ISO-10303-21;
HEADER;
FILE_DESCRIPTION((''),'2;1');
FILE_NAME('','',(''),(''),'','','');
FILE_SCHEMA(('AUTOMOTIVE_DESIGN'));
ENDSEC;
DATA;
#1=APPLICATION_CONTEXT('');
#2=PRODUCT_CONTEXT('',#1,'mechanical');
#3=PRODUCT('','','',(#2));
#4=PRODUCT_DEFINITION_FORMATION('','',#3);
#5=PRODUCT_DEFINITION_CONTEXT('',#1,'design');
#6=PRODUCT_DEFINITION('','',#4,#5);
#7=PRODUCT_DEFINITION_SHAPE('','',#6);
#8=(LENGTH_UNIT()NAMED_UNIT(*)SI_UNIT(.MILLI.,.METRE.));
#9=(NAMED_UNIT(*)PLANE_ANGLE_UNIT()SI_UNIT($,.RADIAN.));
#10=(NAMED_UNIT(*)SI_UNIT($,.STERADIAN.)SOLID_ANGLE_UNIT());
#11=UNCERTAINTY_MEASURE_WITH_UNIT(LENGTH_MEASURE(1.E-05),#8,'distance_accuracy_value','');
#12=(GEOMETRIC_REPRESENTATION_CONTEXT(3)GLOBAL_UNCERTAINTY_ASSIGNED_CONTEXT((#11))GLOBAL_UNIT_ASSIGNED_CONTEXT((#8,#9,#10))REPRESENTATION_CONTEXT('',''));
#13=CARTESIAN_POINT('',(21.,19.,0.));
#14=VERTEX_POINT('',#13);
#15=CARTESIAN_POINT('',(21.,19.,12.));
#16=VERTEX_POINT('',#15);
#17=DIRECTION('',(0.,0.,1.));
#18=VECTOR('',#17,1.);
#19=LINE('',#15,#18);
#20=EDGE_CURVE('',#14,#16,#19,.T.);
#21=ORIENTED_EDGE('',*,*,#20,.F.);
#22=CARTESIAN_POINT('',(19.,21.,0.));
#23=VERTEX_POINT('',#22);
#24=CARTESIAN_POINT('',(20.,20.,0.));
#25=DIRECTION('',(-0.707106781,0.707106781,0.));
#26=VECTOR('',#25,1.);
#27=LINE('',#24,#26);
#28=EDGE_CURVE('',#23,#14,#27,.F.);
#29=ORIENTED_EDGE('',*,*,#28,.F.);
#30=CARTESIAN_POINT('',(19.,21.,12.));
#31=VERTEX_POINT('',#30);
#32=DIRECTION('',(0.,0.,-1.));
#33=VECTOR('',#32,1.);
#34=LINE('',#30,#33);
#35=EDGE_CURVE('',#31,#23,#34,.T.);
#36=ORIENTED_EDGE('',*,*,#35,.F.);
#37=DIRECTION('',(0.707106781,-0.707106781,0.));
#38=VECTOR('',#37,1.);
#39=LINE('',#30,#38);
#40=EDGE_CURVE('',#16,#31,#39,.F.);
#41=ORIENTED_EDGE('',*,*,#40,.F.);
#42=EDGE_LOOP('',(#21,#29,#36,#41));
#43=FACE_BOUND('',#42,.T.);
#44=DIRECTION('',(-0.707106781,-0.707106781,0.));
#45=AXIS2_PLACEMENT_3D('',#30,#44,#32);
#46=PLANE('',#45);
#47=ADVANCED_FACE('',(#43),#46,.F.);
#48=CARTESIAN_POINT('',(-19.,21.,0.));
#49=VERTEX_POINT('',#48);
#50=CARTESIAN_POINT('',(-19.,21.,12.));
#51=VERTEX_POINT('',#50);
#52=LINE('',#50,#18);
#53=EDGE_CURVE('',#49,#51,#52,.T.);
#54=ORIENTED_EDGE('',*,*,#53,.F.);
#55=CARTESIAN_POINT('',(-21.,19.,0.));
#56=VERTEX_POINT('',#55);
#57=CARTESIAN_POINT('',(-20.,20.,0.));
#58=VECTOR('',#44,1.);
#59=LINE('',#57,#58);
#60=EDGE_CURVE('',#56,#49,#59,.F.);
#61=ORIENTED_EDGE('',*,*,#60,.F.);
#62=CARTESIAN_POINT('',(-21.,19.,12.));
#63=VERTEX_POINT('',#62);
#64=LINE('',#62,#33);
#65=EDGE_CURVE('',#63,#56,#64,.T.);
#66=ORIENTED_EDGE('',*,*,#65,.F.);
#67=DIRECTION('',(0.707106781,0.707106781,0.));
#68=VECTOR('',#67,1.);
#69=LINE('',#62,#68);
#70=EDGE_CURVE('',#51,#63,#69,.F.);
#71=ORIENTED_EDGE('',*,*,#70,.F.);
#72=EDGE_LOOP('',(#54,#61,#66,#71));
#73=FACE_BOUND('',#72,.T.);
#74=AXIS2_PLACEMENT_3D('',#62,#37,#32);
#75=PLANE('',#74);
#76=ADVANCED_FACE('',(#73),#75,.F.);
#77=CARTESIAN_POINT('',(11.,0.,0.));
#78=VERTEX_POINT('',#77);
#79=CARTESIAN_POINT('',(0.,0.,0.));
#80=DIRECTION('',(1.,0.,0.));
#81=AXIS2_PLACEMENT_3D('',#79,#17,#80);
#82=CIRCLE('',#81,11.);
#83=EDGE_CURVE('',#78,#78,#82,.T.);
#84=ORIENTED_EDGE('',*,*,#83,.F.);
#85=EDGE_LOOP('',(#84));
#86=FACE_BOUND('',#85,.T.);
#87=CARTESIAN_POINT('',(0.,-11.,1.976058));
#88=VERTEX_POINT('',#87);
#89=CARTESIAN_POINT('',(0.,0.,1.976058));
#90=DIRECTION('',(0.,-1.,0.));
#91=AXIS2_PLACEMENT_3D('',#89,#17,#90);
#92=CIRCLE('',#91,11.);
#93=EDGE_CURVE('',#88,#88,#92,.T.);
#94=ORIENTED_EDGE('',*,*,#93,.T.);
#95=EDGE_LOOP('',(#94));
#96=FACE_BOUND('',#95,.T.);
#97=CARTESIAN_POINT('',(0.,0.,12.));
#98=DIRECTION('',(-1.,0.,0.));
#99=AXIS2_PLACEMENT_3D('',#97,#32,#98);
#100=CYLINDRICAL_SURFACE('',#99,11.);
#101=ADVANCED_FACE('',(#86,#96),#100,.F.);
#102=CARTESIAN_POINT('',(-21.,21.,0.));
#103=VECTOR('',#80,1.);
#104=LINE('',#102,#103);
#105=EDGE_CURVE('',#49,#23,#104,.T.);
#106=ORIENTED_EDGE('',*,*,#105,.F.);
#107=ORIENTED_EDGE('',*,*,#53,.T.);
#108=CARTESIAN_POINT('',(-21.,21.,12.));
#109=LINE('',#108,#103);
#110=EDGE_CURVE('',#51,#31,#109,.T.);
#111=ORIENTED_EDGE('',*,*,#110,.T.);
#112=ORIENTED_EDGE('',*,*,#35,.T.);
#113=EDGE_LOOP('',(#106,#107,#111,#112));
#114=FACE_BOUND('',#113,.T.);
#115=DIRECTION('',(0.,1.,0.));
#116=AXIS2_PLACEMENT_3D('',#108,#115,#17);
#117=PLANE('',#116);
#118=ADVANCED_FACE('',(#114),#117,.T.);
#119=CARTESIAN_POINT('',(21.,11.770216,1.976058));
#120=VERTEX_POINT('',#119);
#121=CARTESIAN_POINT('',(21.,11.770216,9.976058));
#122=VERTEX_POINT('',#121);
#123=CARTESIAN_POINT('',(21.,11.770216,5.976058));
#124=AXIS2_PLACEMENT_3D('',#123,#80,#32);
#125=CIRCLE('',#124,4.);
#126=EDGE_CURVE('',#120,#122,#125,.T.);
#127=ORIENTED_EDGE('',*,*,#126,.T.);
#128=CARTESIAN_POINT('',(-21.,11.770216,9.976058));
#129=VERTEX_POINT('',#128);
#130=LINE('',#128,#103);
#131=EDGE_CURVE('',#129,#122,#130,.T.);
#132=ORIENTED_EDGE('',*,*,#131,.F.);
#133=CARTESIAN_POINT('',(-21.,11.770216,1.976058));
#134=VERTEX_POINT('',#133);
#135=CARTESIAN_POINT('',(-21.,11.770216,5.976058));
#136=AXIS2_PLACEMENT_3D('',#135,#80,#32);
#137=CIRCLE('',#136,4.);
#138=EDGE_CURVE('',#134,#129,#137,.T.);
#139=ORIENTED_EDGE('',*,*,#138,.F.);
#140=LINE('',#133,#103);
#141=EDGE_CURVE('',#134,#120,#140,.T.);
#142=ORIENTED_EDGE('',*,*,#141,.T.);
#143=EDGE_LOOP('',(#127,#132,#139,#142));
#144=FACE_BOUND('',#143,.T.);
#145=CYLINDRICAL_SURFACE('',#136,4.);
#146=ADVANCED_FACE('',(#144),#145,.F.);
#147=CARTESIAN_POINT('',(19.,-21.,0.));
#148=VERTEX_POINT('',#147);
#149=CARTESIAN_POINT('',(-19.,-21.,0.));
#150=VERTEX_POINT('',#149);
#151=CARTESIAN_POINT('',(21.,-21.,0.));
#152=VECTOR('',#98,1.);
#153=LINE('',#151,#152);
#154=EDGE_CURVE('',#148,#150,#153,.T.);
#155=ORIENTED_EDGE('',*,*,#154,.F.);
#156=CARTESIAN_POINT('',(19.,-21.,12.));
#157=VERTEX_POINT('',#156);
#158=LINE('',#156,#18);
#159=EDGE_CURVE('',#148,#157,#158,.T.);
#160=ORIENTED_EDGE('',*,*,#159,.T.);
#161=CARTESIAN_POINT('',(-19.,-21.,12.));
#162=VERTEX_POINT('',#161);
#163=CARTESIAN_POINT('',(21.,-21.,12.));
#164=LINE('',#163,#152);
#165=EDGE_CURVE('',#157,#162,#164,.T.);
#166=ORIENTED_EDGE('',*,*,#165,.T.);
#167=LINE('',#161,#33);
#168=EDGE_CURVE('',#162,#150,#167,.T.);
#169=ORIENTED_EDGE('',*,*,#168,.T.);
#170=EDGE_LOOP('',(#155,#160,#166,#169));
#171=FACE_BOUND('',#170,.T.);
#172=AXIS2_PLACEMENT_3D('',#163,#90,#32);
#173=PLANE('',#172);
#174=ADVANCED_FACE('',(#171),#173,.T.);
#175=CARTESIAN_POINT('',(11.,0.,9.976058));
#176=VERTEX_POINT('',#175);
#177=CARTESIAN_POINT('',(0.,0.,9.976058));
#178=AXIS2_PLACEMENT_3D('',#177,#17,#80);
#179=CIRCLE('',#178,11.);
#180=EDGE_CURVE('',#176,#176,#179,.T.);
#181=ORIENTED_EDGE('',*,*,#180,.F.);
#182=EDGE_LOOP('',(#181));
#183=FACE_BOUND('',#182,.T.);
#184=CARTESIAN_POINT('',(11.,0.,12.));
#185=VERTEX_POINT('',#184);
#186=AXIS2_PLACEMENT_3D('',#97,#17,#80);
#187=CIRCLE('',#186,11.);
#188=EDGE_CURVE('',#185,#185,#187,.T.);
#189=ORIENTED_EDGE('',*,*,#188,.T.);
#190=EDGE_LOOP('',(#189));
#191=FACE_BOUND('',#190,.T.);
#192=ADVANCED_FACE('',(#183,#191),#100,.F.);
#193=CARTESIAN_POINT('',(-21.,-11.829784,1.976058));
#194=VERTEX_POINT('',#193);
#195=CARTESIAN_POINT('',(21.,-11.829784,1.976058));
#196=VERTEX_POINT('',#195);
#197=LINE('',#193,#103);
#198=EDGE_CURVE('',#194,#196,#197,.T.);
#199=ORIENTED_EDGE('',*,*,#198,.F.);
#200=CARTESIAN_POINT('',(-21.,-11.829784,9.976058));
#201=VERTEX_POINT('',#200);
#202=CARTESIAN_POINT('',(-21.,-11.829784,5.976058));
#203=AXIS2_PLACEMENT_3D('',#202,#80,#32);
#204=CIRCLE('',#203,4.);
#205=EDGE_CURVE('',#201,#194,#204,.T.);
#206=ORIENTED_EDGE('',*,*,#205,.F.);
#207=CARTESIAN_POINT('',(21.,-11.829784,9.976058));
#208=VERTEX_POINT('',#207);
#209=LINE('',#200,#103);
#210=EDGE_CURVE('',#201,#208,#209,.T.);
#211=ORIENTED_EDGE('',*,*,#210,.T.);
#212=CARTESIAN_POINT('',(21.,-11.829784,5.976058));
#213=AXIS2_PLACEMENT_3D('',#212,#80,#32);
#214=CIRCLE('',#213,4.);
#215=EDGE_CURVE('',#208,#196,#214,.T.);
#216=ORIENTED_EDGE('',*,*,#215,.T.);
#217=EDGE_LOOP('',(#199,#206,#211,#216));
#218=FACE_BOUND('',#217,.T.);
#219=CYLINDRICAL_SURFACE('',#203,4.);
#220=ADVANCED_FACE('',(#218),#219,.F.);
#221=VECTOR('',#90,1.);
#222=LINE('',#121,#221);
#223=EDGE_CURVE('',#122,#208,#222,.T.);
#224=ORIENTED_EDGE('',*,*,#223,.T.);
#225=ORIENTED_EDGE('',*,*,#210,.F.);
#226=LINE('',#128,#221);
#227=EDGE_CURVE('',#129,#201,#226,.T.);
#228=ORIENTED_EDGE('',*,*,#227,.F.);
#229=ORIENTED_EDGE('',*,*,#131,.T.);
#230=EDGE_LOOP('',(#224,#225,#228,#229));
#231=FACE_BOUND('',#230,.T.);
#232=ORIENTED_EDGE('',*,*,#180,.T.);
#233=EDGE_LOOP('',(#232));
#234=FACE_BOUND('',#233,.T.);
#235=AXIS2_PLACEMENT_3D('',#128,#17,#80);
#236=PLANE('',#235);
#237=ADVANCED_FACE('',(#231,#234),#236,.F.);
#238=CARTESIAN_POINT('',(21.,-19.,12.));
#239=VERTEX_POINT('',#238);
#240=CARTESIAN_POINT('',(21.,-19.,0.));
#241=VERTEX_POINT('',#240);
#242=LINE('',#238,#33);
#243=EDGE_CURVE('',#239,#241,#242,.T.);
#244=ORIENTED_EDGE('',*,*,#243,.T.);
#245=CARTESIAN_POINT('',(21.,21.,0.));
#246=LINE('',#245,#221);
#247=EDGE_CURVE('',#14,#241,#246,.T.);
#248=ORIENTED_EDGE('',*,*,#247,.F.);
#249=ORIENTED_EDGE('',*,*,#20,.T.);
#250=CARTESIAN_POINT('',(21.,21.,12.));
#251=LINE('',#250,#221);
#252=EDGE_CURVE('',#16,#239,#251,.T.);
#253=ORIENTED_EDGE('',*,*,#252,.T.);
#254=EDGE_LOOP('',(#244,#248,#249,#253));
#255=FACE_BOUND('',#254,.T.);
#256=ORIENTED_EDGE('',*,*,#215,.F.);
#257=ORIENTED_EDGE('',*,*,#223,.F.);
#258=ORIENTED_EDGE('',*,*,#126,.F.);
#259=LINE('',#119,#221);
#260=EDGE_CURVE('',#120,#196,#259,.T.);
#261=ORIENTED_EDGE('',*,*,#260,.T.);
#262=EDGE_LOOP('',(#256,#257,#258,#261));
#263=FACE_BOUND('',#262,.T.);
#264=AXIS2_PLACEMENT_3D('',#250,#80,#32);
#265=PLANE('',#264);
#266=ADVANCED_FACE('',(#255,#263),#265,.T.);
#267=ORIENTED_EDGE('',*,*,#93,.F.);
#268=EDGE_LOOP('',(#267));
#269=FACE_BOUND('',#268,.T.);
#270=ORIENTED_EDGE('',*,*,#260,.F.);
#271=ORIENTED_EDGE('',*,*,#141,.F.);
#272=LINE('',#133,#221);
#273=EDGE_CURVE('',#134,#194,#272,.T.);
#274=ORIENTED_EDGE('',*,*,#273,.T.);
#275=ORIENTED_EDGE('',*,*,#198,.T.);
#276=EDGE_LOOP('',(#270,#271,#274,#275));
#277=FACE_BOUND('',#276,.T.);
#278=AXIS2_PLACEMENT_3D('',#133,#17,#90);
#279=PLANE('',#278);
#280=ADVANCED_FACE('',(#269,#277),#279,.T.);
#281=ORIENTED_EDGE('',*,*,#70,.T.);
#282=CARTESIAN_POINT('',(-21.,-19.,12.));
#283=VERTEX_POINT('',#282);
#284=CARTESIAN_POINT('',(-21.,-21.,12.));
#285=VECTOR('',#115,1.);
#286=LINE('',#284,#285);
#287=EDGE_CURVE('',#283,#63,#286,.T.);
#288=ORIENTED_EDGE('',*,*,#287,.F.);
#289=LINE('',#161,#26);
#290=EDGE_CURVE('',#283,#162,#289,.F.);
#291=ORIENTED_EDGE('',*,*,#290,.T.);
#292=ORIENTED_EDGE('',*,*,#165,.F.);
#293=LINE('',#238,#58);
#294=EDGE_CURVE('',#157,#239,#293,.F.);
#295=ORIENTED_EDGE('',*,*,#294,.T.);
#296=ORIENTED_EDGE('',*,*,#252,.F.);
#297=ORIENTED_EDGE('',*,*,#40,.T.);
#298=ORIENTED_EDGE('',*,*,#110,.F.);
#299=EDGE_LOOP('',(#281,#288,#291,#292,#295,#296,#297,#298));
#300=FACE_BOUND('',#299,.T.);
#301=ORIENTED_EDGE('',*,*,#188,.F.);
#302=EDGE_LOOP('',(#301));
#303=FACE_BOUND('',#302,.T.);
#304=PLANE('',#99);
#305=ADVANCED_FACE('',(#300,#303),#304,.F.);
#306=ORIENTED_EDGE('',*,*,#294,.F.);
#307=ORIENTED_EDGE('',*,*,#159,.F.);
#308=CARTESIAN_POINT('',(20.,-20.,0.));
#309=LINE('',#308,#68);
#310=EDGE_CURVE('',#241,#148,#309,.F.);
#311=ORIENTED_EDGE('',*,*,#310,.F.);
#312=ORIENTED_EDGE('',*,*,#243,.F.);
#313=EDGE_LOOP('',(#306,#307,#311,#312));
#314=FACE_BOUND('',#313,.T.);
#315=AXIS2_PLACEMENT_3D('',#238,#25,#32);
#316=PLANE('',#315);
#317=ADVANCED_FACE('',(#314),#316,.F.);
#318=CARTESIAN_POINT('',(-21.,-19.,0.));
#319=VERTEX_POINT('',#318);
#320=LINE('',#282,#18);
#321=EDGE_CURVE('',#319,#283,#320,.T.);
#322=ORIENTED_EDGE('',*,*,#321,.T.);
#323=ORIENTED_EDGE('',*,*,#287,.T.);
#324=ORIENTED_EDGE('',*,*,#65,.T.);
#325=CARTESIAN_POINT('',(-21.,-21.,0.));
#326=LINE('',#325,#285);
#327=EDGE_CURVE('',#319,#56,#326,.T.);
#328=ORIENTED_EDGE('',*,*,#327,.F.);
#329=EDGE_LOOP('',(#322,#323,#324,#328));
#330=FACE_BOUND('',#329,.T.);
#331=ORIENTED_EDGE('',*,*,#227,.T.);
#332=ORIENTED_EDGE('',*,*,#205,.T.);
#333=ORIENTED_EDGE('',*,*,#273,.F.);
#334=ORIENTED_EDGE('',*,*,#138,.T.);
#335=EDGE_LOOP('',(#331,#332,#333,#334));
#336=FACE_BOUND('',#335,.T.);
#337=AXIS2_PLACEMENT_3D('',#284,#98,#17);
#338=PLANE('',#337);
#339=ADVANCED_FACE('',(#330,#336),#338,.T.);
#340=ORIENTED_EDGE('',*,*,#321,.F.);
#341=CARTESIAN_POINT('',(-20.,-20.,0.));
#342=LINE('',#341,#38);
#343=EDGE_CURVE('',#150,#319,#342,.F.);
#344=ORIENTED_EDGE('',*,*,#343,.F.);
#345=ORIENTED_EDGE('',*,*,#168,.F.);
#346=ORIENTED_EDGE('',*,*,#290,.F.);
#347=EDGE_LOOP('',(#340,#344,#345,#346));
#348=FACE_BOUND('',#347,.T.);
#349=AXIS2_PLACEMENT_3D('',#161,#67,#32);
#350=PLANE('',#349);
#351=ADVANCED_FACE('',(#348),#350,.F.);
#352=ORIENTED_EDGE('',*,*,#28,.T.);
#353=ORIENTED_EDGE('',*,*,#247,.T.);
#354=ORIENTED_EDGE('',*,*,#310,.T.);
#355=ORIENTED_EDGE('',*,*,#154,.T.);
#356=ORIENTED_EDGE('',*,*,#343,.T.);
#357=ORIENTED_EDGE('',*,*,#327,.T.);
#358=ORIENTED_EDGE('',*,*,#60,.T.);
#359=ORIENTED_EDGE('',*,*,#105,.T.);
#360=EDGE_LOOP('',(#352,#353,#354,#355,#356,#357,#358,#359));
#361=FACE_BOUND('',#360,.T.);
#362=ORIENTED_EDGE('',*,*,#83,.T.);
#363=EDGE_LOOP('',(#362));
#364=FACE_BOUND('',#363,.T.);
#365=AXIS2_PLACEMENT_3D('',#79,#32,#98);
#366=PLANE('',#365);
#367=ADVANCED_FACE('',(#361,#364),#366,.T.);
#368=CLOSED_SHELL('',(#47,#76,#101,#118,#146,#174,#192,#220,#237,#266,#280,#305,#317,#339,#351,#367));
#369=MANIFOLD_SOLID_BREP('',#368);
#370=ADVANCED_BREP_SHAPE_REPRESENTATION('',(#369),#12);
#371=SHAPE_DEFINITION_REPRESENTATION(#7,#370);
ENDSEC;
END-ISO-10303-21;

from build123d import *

# Parameters (mm, degrees)
SCHIZZO2_W                   = 42
SCHIZZO2_H                   = 42
ESTRUSIONE_ESTRUSIONE1_DEPTH = 12
SCHIZZO3_R                   = 11
TAGLIO_ESTRUSIONE1_DEPTH     = 12
TAGLIO_ESTRUSIONE2_DEPTH     = 42
SMUSSO2_SIZE                 = 2
SMUSSO3_SIZE                 = 2
SMUSSO4_SIZE                 = 2
SMUSSO5_SIZE                 = 2


with BuildPart() as part:
    # Schizzo2 → Estrusione-Estrusione1 (new body)
    with BuildSketch(Plane.XY):
        Rectangle(SCHIZZO2_W, SCHIZZO2_H)
    extrude(amount=ESTRUSIONE_ESTRUSIONE1_DEPTH)

    # Schizzo3 → Taglio-Estrusione1 (cut)
    with BuildSketch(Plane.XY):
        Circle(SCHIZZO3_R)
    extrude(amount=TAGLIO_ESTRUSIONE1_DEPTH, mode=Mode.SUBTRACT)

    # Schizzo5 → Taglio-Estrusione2 (cut)
    with BuildSketch(Plane(origin=(21, 0, 0), x_dir=(0, 0, -1), z_dir=(1, 0, 0))):
        with BuildLine():
            Line((-1.976058117, 11.770215969), (-1.976058117, -11.829784031))
            ThreePointArc((-1.976058117, -11.829784031), (-5.976058117, -15.829784031), (-9.976058117, -11.829784031))
            Line((-9.976058117, -11.829784031), (-9.976058117, 11.770215969))
            ThreePointArc((-9.976058117, 11.770215969), (-5.976058117, 15.770215969), (-1.976058117, 11.770215969))
        make_face()
    extrude(amount=-TAGLIO_ESTRUSIONE2_DEPTH, mode=Mode.SUBTRACT)

    # Smusso2
    smusso2_edges = [part.edges().sort_by_distance(p)[0] for p in [
        (-21, 21, 6),
    ]]
    chamfer(smusso2_edges, length=SMUSSO2_SIZE)

    # Smusso3
    smusso3_edges = [part.edges().sort_by_distance(p)[0] for p in [
        (21, 21, 6),
    ]]
    chamfer(smusso3_edges, length=SMUSSO3_SIZE)

    # Smusso4
    smusso4_edges = [part.edges().sort_by_distance(p)[0] for p in [
        (21, -21, 6),
    ]]
    chamfer(smusso4_edges, length=SMUSSO4_SIZE)

    # Smusso5
    smusso5_edges = [part.edges().sort_by_distance(p)[0] for p in [
        (-21, -21, 6),
    ]]
    chamfer(smusso5_edges, length=SMUSSO5_SIZE)


solid = part.part
